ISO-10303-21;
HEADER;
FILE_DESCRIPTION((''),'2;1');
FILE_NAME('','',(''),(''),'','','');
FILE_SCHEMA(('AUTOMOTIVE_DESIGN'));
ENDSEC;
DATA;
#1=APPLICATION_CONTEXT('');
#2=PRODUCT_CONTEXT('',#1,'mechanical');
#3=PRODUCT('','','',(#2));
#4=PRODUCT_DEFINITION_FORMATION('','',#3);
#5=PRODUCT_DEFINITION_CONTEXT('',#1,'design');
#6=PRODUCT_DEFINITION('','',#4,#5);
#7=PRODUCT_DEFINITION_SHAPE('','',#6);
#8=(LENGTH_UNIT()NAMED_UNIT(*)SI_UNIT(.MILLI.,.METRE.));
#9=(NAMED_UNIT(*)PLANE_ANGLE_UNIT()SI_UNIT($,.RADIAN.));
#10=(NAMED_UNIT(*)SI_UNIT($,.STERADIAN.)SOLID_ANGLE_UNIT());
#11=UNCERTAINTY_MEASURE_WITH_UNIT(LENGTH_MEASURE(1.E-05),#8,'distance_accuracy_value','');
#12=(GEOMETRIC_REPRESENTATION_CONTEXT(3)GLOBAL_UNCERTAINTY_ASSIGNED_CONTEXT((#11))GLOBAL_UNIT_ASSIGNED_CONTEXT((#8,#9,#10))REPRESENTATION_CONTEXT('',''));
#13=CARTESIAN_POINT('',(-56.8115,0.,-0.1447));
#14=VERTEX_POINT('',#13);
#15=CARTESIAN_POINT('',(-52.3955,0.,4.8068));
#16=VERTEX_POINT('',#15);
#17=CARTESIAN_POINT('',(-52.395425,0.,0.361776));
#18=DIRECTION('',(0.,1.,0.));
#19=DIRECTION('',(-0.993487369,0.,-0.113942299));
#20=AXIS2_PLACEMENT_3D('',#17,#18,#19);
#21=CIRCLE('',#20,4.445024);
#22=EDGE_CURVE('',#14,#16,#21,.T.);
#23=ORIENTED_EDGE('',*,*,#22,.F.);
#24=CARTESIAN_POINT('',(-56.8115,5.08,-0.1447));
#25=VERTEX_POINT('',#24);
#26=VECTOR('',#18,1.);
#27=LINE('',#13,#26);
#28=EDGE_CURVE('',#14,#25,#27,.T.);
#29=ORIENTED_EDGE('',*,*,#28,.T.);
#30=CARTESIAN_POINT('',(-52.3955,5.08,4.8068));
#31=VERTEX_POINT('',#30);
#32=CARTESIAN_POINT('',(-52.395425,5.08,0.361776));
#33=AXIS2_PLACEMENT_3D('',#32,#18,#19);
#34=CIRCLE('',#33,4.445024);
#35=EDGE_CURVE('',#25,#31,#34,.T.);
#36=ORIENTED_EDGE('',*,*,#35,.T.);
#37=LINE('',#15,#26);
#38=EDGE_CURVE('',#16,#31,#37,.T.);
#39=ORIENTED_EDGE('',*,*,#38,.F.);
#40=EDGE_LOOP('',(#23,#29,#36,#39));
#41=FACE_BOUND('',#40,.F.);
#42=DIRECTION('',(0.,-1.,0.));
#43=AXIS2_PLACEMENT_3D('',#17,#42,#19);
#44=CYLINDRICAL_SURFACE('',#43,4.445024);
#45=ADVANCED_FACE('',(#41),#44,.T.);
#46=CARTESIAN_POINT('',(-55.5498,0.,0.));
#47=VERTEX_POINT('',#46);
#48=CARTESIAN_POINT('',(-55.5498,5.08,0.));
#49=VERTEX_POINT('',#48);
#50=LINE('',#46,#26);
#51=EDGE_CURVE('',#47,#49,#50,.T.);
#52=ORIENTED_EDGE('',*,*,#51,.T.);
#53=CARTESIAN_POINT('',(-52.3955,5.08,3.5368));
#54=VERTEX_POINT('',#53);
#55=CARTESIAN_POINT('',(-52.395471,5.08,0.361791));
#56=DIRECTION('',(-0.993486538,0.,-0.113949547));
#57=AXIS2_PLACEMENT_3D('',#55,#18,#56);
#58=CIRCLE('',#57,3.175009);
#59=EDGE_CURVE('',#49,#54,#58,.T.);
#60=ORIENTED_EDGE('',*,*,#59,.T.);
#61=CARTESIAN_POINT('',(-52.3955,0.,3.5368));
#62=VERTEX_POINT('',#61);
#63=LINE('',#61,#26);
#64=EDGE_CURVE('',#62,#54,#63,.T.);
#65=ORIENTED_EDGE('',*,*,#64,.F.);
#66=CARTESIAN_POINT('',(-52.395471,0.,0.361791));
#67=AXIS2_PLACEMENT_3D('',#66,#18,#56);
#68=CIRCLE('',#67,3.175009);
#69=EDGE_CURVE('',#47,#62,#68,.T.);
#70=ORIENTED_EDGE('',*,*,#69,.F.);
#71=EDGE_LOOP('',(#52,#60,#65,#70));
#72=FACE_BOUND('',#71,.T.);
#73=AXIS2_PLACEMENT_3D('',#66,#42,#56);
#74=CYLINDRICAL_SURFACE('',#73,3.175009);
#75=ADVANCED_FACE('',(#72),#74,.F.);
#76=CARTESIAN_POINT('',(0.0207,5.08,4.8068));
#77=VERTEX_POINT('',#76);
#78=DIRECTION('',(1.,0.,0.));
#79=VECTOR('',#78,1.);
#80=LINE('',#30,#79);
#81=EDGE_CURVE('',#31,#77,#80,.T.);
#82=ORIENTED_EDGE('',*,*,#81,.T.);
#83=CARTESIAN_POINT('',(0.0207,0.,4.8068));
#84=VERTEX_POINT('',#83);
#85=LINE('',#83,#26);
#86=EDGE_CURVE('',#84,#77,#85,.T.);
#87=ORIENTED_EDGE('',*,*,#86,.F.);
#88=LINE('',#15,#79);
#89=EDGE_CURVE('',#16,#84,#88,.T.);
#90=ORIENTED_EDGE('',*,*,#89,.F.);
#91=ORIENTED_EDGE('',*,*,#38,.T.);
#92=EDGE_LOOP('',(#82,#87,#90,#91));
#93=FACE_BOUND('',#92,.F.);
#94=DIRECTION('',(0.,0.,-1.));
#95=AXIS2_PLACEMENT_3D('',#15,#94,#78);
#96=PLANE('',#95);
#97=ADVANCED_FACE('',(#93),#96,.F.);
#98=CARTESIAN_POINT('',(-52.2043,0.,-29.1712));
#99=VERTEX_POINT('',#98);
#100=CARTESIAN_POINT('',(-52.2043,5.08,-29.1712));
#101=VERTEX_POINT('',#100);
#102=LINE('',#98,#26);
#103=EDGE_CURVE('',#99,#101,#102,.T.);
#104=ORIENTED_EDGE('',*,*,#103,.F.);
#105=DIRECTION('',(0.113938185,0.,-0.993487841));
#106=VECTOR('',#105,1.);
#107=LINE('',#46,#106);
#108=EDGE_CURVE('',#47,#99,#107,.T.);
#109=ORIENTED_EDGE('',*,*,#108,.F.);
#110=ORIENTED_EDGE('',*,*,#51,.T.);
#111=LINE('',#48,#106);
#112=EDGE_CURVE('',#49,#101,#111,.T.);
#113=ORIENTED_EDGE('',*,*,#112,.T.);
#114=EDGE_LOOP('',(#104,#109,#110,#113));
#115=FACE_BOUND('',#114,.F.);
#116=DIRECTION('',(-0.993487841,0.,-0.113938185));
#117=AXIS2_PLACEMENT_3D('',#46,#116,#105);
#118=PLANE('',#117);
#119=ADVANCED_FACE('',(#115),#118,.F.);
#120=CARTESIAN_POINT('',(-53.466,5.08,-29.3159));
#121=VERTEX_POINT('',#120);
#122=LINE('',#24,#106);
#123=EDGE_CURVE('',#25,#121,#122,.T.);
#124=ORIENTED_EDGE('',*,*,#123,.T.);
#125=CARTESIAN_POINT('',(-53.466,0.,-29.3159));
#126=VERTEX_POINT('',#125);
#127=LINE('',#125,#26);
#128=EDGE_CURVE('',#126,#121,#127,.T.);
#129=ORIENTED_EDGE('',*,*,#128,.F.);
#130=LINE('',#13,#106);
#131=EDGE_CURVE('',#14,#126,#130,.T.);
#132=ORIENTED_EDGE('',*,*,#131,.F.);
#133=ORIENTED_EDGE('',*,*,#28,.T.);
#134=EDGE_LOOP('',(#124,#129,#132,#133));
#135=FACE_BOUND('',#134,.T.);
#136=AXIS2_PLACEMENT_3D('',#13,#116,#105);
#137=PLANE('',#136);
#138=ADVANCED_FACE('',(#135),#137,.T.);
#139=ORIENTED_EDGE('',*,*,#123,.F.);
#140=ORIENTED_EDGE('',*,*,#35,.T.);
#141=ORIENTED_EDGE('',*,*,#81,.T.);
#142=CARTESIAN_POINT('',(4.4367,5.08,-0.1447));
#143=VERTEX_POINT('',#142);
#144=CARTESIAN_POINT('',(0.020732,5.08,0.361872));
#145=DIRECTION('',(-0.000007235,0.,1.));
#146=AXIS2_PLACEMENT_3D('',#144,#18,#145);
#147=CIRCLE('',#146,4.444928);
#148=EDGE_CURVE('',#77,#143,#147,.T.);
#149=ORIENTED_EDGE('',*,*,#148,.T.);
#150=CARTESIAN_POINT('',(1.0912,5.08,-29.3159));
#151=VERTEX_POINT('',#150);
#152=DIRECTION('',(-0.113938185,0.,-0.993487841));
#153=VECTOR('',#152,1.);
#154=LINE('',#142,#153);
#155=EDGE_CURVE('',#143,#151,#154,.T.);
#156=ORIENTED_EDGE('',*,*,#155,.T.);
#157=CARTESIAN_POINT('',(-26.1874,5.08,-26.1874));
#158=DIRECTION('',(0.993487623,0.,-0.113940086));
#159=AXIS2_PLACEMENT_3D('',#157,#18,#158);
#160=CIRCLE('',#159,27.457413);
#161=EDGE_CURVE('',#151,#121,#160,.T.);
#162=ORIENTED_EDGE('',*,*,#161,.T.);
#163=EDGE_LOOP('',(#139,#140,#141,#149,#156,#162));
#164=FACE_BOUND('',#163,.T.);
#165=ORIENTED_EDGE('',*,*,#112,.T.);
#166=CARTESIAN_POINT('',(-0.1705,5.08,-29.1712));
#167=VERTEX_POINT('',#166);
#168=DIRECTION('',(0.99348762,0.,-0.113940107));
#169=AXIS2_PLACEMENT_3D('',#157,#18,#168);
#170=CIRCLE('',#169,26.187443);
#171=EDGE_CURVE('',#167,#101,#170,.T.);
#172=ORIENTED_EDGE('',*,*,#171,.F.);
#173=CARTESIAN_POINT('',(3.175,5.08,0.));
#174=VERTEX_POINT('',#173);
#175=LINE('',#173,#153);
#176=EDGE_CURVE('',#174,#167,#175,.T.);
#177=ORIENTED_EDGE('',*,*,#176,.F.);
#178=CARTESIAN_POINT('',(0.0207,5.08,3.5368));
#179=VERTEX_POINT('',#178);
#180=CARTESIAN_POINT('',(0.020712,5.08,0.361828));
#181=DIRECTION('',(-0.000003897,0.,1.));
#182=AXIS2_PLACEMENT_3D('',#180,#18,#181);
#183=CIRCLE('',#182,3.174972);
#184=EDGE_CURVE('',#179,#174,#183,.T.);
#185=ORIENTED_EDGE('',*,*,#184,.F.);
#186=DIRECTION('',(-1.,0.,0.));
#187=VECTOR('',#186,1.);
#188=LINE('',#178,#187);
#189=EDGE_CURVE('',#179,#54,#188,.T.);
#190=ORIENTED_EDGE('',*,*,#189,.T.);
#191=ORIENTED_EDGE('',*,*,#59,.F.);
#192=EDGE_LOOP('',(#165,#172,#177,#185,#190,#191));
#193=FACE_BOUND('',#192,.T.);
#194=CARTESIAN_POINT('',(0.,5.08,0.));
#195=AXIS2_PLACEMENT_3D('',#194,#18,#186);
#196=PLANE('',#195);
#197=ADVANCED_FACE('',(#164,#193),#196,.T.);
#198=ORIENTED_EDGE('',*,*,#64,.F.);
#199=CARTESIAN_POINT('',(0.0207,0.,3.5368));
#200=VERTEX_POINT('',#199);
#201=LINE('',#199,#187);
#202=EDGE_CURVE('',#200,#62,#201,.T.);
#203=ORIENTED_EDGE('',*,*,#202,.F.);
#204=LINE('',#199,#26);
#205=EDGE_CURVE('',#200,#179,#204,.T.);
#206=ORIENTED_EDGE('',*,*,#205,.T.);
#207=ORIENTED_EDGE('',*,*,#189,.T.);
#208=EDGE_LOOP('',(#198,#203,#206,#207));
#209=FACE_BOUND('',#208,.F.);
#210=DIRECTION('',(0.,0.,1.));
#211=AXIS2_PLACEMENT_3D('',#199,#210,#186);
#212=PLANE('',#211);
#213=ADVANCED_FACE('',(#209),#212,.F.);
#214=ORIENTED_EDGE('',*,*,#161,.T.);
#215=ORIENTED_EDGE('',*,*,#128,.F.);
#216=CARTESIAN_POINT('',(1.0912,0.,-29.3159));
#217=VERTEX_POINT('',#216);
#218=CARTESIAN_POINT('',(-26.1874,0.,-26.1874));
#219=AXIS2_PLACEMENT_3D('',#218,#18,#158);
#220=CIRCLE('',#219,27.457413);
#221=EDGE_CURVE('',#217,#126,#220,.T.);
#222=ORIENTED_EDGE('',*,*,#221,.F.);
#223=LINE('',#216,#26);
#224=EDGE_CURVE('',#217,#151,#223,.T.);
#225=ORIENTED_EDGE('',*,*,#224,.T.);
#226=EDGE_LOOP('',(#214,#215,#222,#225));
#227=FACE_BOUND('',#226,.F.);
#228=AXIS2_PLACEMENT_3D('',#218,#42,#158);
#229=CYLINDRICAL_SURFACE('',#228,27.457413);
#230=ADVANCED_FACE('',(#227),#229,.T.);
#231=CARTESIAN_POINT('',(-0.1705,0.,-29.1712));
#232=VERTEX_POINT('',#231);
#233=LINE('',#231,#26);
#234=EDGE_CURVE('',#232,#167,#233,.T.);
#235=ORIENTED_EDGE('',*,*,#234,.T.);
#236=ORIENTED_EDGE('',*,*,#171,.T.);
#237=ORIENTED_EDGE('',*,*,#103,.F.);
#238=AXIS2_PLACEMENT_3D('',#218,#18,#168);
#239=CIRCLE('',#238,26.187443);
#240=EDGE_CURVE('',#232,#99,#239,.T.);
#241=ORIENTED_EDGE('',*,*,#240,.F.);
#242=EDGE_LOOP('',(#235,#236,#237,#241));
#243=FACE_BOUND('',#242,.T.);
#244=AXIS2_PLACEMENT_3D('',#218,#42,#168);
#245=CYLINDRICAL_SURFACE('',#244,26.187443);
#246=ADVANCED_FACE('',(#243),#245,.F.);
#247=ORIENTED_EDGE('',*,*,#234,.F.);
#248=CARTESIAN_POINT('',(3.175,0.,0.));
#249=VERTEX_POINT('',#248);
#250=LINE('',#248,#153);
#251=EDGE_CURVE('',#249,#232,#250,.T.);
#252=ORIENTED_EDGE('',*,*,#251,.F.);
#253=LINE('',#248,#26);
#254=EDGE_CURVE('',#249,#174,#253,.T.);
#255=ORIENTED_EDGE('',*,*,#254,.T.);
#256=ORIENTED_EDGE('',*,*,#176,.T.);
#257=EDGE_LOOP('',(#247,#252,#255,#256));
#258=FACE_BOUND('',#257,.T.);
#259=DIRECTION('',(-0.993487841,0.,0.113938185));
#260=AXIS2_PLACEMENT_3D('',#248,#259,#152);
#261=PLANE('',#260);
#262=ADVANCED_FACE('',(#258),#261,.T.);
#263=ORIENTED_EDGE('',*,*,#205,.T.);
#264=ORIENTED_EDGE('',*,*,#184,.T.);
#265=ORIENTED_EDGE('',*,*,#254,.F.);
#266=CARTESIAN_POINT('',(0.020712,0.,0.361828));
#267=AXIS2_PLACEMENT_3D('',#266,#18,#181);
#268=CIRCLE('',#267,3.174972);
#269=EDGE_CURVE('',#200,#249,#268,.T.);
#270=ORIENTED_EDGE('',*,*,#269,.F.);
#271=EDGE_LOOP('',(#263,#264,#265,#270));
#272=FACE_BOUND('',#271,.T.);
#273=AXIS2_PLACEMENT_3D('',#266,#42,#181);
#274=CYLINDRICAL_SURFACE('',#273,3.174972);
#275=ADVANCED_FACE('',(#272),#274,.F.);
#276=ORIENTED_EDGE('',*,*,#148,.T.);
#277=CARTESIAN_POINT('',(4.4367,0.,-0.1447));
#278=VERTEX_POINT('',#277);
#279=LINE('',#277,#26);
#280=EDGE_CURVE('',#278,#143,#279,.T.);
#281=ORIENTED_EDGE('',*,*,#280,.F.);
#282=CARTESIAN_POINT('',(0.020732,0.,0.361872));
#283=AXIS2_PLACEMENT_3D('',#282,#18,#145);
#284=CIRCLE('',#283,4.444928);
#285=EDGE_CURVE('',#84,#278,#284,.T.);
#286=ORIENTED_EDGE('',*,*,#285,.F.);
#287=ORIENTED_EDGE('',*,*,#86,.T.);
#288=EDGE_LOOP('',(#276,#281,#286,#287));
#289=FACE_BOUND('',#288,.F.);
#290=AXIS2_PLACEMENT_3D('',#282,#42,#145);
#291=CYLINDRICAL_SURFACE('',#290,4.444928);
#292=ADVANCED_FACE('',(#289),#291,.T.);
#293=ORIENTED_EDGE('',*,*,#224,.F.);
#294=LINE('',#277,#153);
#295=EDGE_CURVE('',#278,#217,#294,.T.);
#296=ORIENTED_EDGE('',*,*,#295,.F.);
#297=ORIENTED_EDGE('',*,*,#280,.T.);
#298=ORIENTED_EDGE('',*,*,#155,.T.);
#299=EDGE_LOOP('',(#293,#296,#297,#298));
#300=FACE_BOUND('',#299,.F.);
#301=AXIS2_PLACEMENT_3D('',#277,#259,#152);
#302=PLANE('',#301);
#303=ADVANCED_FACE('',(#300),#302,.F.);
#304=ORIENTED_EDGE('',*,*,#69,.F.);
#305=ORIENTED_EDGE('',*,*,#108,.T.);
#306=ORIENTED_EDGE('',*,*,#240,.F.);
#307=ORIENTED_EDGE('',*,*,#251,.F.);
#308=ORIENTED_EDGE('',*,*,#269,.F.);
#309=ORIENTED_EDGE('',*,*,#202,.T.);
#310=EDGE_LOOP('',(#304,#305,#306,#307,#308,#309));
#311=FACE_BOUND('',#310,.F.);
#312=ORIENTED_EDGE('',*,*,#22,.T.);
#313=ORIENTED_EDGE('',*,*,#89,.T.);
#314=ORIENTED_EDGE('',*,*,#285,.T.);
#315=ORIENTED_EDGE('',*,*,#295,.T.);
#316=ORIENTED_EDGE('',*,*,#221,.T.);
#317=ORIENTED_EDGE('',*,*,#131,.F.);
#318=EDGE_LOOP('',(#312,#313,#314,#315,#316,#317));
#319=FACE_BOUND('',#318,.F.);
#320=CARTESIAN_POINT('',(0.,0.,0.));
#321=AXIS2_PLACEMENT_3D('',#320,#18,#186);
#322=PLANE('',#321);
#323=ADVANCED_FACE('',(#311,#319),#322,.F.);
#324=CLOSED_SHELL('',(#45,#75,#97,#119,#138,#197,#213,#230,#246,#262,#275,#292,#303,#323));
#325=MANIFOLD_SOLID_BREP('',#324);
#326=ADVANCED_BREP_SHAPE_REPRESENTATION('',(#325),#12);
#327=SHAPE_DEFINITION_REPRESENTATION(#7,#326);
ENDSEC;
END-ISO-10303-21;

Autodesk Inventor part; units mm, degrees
ref_plane "YZ Plane" through (0, 0, 0) normal (1, 0, 0) x (0, 1, 0)
ref_plane "XZ Plane" through (0, 0, 0) normal (0, 1, 0) x (-1, 0, 0)
ref_plane "XY Plane" through (0, 0, 0) normal (0, 0, 1) x (1, 0, 0)
sketch "Sketch1" plane through (0, 0, 0) normal (0, 1, 0) x (-1, 0, 0)
  line L0 (0, 0) -> (52.3748, 0) construction
  arc A0 (52.2043, -29.1712) -> (0.1705, -29.1712) centre (26.1874, -26.1874) ccw construction
  line L1 (0, 0) -> (-6.35, 0) construction
  line L2 (52.3748, 0) -> (58.7248, 0) construction
  line L3 (0, 0) -> (0, -26.1874) construction
  line L4 (52.3748, 0) -> (52.3748, -26.1874) construction
  line L5 (-3.175, 0) -> (0.1705, -29.1712)
  line L6 (55.5498, 0) -> (52.2043, -29.1712)
  arc A1 (0.1705, -29.1712) -> (52.2043, -29.1712) centre (26.1874, -26.1874) ccw
  line L7 (-0.0207, 3.5368) -> (52.3955, 3.5368)
  arc A2 (-0.0207, 3.5368) -> (-3.175, 0) centre (-0.0207, 0.3618) ccw
  arc A3 (55.5498, 0) -> (52.3955, 3.5368) centre (52.3955, 0.3618) ccw
  arc A4 (56.8115, -0.1447) -> (52.3955, 4.8068) centre (52.3955, 0.3618) ccw
  line L8 (52.3955, 4.8068) -> (-0.0207, 4.8068)
  arc A5 (-0.0207, 4.8068) -> (-4.4367, -0.1447) centre (-0.0207, 0.3618) ccw
  line L9 (-4.4367, -0.1447) -> (-1.0912, -29.3159)
  arc A6 (-1.0912, -29.3159) -> (53.466, -29.3159) centre (26.1874, -26.1874) ccw
  line L10 (56.8115, -0.1447) -> (53.466, -29.3159)
  dimension "d0" = 52.3748
  dimension "d1" = 52.3748
  dimension "d2" = 6.35
  dimension "d3" = 6.35
  dimension "d4" = 3.175
  dimension "d5" = 1.27
  dimension "d6" = 1.27
  dimension "d7" = 1.27
  dimension "d8" = 1.27
extrude "Extrusion1" add sketch "Sketch1" along normal blind 5.08
properties part number "Clippard Zip Tie 2" material "ABS Plastic"
